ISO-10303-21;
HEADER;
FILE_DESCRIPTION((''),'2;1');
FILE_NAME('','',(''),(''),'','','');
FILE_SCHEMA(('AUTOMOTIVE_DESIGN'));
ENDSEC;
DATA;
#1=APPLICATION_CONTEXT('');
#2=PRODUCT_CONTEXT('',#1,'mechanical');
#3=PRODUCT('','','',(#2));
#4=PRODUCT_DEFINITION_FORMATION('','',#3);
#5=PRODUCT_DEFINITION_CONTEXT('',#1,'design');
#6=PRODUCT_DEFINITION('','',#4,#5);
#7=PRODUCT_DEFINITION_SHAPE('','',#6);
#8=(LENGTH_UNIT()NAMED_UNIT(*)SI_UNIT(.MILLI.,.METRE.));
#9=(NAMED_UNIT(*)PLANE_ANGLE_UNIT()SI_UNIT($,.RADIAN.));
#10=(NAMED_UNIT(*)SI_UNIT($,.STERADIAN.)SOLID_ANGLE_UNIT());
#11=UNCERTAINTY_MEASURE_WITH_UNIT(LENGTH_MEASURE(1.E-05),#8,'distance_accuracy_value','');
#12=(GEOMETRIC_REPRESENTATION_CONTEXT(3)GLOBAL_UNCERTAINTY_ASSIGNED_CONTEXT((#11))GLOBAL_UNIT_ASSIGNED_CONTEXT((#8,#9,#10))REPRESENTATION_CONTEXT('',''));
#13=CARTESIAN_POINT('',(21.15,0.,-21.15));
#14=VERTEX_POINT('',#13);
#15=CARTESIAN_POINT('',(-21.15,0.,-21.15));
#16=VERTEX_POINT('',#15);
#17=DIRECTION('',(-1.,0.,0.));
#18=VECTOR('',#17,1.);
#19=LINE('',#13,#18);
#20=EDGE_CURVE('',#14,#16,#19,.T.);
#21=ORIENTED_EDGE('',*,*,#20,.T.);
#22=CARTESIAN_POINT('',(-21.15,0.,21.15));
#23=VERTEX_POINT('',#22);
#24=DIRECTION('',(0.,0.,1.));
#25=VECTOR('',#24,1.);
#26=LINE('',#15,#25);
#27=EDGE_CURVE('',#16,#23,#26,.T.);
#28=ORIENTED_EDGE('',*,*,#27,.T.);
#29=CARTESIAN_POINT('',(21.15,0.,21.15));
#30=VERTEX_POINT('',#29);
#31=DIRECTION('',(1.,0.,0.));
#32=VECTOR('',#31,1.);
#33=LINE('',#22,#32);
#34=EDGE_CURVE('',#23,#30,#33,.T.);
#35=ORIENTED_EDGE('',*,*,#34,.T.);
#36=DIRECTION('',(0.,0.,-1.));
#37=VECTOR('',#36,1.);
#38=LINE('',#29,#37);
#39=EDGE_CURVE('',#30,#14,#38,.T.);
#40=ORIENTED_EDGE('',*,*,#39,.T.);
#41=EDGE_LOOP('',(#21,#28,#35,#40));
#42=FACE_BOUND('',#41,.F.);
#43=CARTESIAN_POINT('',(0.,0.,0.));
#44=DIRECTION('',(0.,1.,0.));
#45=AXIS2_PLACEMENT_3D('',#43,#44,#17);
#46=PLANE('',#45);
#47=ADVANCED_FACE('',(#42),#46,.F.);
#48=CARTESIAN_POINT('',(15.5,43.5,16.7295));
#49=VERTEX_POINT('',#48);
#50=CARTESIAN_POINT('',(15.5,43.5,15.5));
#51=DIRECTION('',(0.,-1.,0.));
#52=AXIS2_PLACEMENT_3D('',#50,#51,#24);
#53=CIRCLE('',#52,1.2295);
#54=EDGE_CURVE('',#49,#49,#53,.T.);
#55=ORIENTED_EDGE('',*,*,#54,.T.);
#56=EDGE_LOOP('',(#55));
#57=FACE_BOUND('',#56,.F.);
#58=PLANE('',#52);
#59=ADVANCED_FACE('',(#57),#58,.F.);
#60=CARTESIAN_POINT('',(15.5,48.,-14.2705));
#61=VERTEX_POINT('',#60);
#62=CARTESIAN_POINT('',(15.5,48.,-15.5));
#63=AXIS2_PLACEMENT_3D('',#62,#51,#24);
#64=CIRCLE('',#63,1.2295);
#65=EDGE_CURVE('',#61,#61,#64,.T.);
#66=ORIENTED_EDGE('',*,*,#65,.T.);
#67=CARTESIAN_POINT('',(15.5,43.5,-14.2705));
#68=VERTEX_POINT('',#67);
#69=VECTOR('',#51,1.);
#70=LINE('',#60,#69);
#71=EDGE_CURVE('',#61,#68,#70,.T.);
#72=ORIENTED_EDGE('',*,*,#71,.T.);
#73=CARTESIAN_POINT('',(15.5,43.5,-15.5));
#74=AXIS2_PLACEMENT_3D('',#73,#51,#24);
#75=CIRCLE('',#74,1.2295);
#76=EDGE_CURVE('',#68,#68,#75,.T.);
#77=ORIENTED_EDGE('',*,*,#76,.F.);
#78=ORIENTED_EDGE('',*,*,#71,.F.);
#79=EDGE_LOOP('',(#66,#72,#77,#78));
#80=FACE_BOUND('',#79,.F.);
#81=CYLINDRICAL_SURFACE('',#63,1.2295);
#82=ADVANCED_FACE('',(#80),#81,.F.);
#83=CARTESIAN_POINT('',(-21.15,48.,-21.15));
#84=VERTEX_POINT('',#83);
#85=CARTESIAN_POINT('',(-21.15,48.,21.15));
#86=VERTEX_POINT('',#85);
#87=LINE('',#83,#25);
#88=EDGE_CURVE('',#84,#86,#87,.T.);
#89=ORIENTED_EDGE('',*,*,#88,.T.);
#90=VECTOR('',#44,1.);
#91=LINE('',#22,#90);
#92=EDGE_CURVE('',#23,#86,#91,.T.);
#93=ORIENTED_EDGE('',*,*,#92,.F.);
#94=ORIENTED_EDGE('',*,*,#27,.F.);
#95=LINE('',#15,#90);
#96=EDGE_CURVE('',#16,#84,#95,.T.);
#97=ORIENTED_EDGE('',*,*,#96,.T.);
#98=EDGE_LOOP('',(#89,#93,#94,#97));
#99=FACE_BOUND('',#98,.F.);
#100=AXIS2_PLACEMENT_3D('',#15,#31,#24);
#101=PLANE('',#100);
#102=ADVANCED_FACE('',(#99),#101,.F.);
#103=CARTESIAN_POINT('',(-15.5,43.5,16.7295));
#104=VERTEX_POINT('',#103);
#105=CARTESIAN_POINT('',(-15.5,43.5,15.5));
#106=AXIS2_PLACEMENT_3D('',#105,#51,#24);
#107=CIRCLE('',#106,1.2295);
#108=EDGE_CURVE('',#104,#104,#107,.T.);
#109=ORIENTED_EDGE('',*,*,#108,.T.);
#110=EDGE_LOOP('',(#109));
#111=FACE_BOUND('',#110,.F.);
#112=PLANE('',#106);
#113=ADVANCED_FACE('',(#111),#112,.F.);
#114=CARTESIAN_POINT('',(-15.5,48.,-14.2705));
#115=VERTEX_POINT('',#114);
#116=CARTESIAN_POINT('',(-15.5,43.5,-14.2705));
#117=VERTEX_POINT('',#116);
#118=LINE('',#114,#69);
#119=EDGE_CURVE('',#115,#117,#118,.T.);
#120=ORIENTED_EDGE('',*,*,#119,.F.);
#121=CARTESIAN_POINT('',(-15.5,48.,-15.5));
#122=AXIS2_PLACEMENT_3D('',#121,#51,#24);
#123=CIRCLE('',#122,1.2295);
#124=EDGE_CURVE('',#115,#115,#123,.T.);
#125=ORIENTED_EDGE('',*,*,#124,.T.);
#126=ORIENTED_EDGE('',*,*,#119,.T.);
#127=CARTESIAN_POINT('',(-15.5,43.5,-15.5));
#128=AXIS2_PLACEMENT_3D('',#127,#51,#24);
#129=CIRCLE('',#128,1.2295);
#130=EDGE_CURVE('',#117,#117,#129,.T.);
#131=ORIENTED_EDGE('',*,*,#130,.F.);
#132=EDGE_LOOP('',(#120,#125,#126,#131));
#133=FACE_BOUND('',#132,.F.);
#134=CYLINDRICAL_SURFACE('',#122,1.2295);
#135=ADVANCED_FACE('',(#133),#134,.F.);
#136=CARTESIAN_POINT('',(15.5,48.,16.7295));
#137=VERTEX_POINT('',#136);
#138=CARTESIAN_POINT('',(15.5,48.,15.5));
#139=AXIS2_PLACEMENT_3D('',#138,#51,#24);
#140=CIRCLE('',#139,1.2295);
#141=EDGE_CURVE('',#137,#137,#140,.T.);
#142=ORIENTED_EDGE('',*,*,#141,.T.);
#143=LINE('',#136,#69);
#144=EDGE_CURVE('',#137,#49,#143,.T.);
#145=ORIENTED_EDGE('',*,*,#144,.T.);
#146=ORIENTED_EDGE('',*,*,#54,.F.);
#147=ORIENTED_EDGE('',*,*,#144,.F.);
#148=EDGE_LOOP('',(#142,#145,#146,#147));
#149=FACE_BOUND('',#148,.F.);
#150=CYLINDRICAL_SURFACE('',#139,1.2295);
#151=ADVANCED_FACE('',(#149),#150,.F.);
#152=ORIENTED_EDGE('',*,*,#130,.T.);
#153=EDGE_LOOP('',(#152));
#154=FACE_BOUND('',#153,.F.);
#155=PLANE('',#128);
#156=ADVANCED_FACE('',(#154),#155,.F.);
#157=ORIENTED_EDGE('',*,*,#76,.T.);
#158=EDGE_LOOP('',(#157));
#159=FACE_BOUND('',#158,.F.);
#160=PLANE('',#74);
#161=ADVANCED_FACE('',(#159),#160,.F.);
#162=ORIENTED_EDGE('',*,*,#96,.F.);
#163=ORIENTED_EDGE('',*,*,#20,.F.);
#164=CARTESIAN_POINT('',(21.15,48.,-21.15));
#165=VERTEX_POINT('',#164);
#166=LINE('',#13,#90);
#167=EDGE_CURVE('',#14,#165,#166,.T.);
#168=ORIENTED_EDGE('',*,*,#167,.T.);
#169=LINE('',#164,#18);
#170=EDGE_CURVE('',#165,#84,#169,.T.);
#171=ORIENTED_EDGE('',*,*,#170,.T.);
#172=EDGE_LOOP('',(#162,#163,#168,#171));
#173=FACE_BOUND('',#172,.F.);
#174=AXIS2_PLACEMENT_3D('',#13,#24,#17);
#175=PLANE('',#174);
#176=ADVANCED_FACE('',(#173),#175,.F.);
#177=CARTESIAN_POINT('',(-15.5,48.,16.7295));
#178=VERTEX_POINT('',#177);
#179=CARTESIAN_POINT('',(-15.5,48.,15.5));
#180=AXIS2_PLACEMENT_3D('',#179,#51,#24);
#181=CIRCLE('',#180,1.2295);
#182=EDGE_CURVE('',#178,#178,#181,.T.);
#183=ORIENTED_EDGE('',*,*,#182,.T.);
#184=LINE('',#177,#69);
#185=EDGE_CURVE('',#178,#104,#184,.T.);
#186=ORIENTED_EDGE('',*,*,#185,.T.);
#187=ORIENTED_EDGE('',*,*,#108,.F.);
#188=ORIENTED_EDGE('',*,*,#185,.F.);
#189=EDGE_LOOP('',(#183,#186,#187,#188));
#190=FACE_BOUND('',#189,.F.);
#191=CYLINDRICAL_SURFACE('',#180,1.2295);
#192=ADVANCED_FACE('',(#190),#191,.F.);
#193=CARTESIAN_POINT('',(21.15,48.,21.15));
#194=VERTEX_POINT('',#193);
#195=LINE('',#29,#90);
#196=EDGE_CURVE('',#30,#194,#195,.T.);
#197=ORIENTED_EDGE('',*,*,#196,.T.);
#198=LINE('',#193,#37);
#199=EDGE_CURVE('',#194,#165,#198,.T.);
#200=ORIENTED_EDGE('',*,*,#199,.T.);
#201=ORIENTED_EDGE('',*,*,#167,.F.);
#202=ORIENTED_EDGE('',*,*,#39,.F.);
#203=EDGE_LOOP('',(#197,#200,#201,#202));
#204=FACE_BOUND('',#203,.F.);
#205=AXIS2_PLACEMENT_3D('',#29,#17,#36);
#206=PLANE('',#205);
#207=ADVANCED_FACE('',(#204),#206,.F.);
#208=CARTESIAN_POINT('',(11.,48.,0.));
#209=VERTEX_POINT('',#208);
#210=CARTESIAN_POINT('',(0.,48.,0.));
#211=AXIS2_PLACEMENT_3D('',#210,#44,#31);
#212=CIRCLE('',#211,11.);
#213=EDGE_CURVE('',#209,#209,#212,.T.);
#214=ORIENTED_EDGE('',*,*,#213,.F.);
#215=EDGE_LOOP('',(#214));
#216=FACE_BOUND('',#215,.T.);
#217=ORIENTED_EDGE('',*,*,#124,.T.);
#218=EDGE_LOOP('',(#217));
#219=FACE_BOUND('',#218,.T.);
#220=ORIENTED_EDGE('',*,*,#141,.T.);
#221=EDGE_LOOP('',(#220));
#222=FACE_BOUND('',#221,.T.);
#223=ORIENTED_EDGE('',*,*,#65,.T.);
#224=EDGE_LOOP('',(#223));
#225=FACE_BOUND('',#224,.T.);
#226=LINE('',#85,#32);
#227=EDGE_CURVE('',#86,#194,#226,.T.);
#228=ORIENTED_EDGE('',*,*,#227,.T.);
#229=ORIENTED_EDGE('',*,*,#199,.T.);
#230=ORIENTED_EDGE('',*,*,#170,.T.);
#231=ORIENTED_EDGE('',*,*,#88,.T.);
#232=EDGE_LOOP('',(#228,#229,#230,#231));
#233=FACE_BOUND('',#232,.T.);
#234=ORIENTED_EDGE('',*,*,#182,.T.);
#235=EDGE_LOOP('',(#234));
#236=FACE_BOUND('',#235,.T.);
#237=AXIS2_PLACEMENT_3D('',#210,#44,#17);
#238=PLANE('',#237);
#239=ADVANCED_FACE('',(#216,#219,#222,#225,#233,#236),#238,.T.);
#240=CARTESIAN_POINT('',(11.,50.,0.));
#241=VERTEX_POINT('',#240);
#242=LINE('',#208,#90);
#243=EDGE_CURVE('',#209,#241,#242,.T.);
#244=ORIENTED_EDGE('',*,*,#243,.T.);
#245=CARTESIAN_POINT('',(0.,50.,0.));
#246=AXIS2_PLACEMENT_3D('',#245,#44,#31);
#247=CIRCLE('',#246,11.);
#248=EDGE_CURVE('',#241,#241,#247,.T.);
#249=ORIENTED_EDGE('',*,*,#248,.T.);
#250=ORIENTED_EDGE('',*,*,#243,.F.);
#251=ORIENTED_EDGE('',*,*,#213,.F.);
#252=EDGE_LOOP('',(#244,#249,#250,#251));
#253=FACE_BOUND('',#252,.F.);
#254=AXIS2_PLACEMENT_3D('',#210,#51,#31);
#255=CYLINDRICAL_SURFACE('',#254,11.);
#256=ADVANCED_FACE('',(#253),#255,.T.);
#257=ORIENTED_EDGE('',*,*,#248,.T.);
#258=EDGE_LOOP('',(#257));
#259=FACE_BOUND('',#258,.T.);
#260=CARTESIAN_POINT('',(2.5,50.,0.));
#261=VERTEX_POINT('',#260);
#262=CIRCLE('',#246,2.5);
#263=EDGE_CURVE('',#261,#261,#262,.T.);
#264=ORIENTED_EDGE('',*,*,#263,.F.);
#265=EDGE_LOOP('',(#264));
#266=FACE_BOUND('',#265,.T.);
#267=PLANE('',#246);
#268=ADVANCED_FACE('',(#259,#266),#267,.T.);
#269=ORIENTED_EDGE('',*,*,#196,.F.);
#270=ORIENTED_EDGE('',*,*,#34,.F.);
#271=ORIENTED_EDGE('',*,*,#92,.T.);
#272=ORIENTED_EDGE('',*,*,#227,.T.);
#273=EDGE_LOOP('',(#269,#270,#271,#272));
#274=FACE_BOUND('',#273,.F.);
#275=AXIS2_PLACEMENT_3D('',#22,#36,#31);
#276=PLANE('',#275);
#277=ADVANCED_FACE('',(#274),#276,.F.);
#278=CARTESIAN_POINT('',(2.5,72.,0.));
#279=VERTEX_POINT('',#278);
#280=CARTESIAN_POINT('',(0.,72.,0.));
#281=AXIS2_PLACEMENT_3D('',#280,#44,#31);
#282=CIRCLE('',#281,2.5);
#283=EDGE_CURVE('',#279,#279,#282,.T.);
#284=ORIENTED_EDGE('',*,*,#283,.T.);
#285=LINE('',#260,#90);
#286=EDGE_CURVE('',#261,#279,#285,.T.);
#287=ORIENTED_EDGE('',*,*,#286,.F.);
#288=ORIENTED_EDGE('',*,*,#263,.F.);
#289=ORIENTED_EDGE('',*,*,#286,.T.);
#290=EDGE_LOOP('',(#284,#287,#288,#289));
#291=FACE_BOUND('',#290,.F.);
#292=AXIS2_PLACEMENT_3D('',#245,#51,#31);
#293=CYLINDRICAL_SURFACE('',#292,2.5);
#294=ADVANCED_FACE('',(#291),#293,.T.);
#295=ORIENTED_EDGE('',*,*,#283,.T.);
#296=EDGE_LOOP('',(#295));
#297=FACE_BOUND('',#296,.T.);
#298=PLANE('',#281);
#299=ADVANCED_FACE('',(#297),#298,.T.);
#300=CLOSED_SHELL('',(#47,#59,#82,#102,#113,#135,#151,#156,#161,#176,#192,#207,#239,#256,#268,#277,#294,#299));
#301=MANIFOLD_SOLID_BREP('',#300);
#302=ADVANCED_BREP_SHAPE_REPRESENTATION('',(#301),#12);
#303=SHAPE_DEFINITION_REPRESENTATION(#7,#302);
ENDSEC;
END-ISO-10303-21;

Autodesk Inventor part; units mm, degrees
ref_plane "YZ Plane" through (0, 0, 0) normal (1, 0, 0) x (0, 1, 0)
ref_plane "XZ Plane" through (0, 0, 0) normal (0, 1, 0) x (-1, 0, 0)
ref_plane "XY Plane" through (0, 0, 0) normal (0, 0, 1) x (1, 0, 0)
sketch "Sketch1" plane through (0, 0, 0) normal (0, 1, 0) x (-1, 0, 0)
  line L0 (-21.15, -21.15) -> (21.15, -21.15)
  line L1 (21.15, -21.15) -> (21.15, 21.15)
  line L2 (21.15, 21.15) -> (-21.15, 21.15)
  line L3 (-21.15, 21.15) -> (-21.15, -21.15)
  line L4 (-21.15, -21.15) -> (21.15, 21.15) construction
  line L5 (21.15, -21.15) -> (-21.15, 21.15) construction
  point P0 (0, 0)
  dimension "d0" = 42.3
  dimension "d1" = 42.3
extrude "Extrusion1" add sketch "Sketch1" along normal blind 48
sketch "Sketch2" plane through (0, 48, 0) normal (0, 1, 0) x (1, 0, 0)
  circle A0 centre (0, 0) radius 11
  dimension "d4" = 22
extrude "Extrusion2" add sketch "Sketch2" along normal blind 2
sketch "Sketch3" plane through (0, 50, 0) normal (0, 1, 0) x (1, 0, 0)
  circle A0 centre (0, 0) radius 11 projected
  circle A1 centre (0, 0) radius 2.5
  dimension "d7" = 5
extrude "Extrusion3" add sketch "Sketch3" along normal blind 22 contours A1
sketch "Sketch4" plane through (0, 48, 0) normal (0, 1, 0) x (1, 0, 0)
  circle A0 centre (0, 0) radius 11 projected
  line L0 (-15.5, 15.5) -> (15.5, 15.5) construction
  line L1 (15.5, 15.5) -> (15.5, -15.5) construction
  line L2 (15.5, -15.5) -> (-15.5, -15.5) construction
  line L3 (-15.5, -15.5) -> (-15.5, 15.5) construction
  dimension "d10" = 31
  dimension "d11" = 31
  dimension "d12" = 15.5
  dimension "d13" = 15.5
hole "Hole1" at (-15.5, 48, -15.5) at (15.5, 48, -15.5) at (15.5, 48, 15.5) at (-15.5, 48, 15.5) direction (0, -1, 0) diameter 2.459 depth 4.5 thread size "M3x0.5" class "6H" standard "ISO Metric profile"
sketch "Sketch5" plane through (21.15, 0, 21.15) normal (1, 0, 0) x (0, 0, -1)
  line L0 (0, 0) -> (42.3, 0) projected
  line L1 (42.3, 0) -> (42.3, 48) projected
  line L2 (0, 48) -> (42.3, 48) projected
  line L3 (0, 0) -> (0, 48) projected
  line L4 (26.15, 0) -> (26.15, 10)
  line L5 (26.15, 10) -> (16.15, 10)
  line L6 (16.15, 10) -> (16.15, 0)
  line L7 (16.15, 10) -> (26.15, 0)
  line L8 (26.15, 10) -> (16.15, 0)
  line L9 (18.65, 2.5) -> (23.65, 2.5)
  line L10 (23.65, 2.5) -> (23.65, 7.5)
  line L11 (23.65, 7.5) -> (18.65, 7.5)
  line L12 (18.65, 7.5) -> (18.65, 2.5)
  line L13 (18.65, 2.5) -> (23.65, 7.5) construction
  line L14 (23.65, 2.5) -> (18.65, 7.5) construction
  point P0 (21.15, 0)
  point P1 (21.15, 5)
  dimension "d23" = 16.15
  dimension "d24" = 16.15
  dimension "d26" = 10
  dimension "d27" = 10
  dimension "d28" = 5
  dimension "d29" = 5
properties part number "NEMA_17" material "Steel, Carbon"
